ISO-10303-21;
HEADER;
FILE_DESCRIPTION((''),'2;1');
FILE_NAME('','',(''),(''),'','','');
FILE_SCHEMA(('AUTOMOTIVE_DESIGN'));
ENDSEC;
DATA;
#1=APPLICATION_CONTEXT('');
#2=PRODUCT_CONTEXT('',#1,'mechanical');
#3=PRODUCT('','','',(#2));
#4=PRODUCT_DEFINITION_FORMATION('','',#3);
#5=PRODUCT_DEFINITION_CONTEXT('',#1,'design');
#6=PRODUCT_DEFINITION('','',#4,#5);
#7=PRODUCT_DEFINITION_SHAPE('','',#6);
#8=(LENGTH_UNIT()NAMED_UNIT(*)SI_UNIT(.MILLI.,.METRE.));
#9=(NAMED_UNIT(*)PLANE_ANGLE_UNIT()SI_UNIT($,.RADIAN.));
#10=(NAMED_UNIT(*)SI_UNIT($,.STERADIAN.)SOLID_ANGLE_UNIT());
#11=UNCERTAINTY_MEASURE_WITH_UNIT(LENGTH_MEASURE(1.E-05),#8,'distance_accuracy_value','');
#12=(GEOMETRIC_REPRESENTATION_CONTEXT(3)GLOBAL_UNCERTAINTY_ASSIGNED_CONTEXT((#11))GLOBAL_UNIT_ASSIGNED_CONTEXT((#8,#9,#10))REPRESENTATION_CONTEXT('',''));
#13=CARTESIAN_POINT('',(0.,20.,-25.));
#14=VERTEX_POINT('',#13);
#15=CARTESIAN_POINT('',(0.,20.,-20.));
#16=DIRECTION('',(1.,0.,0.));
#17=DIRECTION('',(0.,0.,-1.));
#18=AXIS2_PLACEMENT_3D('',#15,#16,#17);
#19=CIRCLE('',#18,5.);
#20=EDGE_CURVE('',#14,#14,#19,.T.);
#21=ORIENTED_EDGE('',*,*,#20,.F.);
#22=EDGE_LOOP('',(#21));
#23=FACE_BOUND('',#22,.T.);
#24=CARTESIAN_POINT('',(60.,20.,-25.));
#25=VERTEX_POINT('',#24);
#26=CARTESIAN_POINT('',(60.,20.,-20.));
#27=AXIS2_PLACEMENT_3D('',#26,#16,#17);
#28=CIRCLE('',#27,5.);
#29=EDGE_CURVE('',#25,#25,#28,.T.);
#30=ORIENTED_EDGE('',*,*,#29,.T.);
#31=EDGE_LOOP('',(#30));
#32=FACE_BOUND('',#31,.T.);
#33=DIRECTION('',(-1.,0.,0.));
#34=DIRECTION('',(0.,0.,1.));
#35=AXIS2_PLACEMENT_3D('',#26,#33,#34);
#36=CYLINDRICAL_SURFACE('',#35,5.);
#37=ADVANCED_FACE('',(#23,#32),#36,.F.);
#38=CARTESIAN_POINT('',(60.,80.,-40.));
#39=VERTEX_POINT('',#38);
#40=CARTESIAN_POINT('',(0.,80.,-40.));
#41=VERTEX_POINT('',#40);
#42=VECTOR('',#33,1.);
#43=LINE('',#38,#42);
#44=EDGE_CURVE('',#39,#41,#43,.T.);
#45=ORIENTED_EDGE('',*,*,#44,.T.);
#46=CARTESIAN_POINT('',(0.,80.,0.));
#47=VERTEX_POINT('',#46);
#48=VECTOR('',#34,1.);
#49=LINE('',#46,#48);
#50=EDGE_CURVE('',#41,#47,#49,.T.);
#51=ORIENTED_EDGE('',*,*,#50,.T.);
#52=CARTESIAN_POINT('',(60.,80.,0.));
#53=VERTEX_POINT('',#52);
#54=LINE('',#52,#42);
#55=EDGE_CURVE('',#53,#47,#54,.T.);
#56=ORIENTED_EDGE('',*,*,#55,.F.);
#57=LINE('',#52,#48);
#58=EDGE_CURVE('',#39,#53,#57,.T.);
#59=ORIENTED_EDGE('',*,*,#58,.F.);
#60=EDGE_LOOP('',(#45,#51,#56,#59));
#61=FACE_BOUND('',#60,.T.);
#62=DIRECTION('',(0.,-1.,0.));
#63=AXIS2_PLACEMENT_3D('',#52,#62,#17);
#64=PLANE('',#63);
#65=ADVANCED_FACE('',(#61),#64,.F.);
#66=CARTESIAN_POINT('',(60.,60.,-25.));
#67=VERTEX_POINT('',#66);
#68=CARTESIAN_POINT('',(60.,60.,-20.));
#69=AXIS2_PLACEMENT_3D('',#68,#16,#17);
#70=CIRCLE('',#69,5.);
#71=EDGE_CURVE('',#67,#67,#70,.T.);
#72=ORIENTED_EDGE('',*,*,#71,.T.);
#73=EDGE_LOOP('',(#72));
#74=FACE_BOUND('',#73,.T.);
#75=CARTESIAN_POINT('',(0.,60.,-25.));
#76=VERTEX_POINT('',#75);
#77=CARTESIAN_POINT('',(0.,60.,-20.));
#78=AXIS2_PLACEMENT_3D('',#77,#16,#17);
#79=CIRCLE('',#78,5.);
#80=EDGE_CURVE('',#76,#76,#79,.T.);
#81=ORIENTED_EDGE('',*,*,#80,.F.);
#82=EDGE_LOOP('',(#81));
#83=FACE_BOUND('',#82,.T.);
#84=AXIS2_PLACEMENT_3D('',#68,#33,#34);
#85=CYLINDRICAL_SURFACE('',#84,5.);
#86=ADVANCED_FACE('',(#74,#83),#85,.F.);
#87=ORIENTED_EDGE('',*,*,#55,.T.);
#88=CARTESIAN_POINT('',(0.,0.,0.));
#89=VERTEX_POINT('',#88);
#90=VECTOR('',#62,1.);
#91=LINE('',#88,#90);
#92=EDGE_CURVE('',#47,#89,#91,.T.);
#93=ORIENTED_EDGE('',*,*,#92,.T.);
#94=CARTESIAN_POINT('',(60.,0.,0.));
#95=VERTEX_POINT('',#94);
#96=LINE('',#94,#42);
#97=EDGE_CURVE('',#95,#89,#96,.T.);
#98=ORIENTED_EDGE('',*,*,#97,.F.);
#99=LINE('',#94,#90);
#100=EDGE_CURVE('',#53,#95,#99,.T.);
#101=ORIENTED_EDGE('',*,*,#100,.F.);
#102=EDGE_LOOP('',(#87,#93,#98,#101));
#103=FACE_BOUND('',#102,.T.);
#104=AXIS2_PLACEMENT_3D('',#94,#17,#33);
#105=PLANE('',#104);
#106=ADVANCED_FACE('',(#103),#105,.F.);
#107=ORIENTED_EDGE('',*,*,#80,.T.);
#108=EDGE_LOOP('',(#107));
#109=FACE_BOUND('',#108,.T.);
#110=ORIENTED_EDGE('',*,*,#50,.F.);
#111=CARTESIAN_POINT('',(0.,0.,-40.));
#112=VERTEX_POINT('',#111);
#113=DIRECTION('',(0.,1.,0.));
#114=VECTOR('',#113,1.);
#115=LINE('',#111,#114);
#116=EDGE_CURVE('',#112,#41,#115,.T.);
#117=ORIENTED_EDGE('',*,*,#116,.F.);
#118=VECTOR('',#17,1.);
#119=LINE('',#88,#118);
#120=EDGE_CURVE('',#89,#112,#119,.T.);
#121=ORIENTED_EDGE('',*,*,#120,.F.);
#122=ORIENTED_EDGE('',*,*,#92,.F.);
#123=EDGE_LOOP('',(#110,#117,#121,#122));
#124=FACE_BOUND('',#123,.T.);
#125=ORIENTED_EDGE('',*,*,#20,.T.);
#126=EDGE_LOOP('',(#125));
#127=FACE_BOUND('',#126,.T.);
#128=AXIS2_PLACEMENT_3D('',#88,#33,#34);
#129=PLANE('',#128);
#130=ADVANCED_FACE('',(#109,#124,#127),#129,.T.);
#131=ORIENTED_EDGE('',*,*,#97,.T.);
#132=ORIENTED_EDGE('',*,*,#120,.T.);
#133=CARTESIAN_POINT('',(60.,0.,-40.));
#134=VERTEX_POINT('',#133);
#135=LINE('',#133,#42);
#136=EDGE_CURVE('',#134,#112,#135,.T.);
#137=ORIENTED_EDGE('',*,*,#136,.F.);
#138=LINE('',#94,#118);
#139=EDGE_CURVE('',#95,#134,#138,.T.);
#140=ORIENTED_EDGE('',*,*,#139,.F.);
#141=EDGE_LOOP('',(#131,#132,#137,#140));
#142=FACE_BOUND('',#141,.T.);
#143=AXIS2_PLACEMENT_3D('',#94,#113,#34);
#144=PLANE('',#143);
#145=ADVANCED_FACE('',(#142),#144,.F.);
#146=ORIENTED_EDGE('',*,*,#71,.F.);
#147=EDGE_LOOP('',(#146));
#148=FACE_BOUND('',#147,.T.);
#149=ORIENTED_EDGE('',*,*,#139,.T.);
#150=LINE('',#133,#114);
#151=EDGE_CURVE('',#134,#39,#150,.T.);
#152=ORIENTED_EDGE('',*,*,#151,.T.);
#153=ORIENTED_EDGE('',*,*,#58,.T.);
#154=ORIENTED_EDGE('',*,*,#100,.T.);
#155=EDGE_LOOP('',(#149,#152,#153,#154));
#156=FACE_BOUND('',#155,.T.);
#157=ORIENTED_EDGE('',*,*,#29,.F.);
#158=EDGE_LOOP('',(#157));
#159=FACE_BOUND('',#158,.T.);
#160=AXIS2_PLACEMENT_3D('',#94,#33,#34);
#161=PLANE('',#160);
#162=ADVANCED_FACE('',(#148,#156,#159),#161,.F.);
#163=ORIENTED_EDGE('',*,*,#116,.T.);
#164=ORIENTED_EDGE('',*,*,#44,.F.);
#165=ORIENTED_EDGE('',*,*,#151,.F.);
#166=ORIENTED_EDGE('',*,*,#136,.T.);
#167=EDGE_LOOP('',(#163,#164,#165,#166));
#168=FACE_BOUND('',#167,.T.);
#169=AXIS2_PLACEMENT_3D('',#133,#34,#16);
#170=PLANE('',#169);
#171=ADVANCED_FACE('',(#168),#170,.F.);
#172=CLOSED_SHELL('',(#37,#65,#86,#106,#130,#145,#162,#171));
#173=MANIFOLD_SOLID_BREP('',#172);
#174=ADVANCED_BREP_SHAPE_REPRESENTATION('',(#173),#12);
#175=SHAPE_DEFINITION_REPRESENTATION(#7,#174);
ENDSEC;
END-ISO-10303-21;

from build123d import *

# Parameters (mm, degrees)
SKETCH_1_W      = 40
SKETCH_1_H      = 80
SKETCH_1_R      = 5
EXTRUDE_1_DEPTH = 60


with BuildPart() as part:
    # Эскиз1 → Бобышка-Вытянуть1 (new body)
    with BuildSketch(Plane(origin=(0, 0, 0), x_dir=(0, 0, -1), z_dir=(1, 0, 0))):
        with Locations((20, 40)):
            Rectangle(SKETCH_1_W, SKETCH_1_H)
        with Locations((20, 60)):
            Circle(SKETCH_1_R, mode=Mode.SUBTRACT)
        with Locations((20, 20)):
            Circle(SKETCH_1_R, mode=Mode.SUBTRACT)
    extrude(amount=EXTRUDE_1_DEPTH)


solid = part.part
